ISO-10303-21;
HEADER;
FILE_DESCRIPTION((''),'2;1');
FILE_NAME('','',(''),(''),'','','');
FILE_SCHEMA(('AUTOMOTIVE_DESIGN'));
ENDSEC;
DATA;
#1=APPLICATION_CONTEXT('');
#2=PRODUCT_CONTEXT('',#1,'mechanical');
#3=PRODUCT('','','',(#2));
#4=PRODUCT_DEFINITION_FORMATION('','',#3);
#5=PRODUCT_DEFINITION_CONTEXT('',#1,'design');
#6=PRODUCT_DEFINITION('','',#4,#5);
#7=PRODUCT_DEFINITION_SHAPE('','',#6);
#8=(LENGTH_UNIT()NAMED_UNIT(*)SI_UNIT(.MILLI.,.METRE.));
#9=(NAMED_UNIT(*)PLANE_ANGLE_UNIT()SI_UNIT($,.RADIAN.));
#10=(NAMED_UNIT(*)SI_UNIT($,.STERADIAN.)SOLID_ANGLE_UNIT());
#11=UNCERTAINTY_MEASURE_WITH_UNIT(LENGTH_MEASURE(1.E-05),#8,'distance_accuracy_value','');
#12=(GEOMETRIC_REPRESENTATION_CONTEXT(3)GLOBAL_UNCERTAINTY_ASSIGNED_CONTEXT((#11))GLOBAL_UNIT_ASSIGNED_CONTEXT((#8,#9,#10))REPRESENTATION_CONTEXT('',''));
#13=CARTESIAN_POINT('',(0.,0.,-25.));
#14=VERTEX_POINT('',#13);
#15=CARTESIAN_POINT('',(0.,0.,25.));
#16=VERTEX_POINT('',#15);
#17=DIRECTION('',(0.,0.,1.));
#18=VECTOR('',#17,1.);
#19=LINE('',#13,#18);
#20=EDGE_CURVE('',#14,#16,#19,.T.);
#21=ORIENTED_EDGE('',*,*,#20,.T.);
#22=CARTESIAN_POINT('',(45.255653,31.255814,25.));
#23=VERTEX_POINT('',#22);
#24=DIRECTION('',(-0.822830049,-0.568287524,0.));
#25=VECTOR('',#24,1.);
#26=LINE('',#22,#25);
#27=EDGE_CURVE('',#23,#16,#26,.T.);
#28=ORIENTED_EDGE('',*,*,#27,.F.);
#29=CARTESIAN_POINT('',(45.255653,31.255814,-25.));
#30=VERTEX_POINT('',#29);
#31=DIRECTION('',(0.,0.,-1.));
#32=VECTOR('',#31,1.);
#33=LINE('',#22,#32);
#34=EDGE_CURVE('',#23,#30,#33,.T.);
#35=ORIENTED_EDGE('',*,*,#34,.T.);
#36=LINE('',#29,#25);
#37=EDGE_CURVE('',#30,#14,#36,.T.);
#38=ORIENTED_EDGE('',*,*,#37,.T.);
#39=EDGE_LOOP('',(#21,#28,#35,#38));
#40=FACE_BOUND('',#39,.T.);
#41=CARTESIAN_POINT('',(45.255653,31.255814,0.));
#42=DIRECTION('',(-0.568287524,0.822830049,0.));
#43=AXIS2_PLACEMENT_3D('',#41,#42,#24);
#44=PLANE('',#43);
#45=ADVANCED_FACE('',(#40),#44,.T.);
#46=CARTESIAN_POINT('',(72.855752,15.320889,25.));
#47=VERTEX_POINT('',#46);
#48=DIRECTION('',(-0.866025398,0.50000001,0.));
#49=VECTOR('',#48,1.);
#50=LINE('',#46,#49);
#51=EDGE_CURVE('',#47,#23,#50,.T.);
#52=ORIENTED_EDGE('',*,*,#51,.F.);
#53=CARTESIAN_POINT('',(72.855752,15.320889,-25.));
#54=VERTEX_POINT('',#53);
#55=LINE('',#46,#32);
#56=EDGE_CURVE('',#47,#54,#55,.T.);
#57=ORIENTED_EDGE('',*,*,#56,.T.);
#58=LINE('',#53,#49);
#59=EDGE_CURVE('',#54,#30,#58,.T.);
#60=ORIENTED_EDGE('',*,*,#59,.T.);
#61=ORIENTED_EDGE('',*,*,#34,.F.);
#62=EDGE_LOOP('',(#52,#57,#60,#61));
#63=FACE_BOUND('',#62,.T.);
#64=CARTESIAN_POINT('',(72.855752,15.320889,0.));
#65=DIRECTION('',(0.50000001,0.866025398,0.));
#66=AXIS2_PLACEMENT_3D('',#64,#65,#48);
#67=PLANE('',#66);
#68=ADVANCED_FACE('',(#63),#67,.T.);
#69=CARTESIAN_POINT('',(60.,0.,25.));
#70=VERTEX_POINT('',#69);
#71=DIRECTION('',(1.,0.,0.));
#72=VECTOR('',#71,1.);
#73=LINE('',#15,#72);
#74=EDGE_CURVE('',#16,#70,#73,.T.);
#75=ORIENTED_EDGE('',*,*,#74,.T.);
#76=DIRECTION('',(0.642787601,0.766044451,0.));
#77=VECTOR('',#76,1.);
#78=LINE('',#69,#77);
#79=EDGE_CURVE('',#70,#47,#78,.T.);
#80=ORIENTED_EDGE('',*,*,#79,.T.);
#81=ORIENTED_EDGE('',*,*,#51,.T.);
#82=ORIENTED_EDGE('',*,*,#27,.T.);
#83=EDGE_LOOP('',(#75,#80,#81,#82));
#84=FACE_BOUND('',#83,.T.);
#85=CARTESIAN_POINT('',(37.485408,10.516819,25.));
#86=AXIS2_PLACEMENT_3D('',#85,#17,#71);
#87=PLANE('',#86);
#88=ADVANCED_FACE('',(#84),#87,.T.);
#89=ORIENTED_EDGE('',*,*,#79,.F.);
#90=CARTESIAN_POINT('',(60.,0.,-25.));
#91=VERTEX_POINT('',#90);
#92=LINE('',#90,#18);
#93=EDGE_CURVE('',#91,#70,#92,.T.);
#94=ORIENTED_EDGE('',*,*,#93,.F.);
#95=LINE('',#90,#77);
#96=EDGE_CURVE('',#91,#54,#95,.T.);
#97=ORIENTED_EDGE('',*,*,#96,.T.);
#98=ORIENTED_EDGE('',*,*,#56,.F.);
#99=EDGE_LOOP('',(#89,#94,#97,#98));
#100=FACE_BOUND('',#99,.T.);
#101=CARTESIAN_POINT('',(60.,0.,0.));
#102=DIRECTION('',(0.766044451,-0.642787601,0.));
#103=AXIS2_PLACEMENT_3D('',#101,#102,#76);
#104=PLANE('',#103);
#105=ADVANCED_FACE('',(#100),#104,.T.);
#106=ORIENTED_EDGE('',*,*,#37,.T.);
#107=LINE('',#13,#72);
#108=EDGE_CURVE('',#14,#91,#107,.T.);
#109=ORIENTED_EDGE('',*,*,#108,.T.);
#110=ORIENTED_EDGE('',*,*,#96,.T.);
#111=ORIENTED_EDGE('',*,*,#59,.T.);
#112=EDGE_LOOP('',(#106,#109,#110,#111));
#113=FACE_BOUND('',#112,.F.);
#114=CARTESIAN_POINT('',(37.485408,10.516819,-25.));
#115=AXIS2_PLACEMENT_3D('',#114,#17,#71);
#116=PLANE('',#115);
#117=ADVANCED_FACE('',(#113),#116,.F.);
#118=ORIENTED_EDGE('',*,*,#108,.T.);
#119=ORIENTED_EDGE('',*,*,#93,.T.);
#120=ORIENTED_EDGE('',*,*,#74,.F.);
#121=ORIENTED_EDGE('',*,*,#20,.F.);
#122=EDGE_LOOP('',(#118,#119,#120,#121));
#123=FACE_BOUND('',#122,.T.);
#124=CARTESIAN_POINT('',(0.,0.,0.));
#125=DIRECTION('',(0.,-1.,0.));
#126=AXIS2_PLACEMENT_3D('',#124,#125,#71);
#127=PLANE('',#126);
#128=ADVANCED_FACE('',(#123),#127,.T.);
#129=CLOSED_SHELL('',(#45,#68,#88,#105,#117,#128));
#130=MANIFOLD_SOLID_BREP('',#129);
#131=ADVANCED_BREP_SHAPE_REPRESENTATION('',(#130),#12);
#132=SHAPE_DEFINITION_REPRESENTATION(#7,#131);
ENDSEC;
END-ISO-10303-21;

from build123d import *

# Parameters (mm, degrees)
F1_DEPTH = 25


with BuildPart() as f1:
    # F0 (on Top) → F1 (new body, symmetric)
    with BuildSketch(Plane.XY):
        Polygon((45.255653, 31.255814), (0, 0), (60, 0), (72.855752, 15.320889), align=None)
    extrude(amount=F1_DEPTH, both=True)


solid = f1.part
